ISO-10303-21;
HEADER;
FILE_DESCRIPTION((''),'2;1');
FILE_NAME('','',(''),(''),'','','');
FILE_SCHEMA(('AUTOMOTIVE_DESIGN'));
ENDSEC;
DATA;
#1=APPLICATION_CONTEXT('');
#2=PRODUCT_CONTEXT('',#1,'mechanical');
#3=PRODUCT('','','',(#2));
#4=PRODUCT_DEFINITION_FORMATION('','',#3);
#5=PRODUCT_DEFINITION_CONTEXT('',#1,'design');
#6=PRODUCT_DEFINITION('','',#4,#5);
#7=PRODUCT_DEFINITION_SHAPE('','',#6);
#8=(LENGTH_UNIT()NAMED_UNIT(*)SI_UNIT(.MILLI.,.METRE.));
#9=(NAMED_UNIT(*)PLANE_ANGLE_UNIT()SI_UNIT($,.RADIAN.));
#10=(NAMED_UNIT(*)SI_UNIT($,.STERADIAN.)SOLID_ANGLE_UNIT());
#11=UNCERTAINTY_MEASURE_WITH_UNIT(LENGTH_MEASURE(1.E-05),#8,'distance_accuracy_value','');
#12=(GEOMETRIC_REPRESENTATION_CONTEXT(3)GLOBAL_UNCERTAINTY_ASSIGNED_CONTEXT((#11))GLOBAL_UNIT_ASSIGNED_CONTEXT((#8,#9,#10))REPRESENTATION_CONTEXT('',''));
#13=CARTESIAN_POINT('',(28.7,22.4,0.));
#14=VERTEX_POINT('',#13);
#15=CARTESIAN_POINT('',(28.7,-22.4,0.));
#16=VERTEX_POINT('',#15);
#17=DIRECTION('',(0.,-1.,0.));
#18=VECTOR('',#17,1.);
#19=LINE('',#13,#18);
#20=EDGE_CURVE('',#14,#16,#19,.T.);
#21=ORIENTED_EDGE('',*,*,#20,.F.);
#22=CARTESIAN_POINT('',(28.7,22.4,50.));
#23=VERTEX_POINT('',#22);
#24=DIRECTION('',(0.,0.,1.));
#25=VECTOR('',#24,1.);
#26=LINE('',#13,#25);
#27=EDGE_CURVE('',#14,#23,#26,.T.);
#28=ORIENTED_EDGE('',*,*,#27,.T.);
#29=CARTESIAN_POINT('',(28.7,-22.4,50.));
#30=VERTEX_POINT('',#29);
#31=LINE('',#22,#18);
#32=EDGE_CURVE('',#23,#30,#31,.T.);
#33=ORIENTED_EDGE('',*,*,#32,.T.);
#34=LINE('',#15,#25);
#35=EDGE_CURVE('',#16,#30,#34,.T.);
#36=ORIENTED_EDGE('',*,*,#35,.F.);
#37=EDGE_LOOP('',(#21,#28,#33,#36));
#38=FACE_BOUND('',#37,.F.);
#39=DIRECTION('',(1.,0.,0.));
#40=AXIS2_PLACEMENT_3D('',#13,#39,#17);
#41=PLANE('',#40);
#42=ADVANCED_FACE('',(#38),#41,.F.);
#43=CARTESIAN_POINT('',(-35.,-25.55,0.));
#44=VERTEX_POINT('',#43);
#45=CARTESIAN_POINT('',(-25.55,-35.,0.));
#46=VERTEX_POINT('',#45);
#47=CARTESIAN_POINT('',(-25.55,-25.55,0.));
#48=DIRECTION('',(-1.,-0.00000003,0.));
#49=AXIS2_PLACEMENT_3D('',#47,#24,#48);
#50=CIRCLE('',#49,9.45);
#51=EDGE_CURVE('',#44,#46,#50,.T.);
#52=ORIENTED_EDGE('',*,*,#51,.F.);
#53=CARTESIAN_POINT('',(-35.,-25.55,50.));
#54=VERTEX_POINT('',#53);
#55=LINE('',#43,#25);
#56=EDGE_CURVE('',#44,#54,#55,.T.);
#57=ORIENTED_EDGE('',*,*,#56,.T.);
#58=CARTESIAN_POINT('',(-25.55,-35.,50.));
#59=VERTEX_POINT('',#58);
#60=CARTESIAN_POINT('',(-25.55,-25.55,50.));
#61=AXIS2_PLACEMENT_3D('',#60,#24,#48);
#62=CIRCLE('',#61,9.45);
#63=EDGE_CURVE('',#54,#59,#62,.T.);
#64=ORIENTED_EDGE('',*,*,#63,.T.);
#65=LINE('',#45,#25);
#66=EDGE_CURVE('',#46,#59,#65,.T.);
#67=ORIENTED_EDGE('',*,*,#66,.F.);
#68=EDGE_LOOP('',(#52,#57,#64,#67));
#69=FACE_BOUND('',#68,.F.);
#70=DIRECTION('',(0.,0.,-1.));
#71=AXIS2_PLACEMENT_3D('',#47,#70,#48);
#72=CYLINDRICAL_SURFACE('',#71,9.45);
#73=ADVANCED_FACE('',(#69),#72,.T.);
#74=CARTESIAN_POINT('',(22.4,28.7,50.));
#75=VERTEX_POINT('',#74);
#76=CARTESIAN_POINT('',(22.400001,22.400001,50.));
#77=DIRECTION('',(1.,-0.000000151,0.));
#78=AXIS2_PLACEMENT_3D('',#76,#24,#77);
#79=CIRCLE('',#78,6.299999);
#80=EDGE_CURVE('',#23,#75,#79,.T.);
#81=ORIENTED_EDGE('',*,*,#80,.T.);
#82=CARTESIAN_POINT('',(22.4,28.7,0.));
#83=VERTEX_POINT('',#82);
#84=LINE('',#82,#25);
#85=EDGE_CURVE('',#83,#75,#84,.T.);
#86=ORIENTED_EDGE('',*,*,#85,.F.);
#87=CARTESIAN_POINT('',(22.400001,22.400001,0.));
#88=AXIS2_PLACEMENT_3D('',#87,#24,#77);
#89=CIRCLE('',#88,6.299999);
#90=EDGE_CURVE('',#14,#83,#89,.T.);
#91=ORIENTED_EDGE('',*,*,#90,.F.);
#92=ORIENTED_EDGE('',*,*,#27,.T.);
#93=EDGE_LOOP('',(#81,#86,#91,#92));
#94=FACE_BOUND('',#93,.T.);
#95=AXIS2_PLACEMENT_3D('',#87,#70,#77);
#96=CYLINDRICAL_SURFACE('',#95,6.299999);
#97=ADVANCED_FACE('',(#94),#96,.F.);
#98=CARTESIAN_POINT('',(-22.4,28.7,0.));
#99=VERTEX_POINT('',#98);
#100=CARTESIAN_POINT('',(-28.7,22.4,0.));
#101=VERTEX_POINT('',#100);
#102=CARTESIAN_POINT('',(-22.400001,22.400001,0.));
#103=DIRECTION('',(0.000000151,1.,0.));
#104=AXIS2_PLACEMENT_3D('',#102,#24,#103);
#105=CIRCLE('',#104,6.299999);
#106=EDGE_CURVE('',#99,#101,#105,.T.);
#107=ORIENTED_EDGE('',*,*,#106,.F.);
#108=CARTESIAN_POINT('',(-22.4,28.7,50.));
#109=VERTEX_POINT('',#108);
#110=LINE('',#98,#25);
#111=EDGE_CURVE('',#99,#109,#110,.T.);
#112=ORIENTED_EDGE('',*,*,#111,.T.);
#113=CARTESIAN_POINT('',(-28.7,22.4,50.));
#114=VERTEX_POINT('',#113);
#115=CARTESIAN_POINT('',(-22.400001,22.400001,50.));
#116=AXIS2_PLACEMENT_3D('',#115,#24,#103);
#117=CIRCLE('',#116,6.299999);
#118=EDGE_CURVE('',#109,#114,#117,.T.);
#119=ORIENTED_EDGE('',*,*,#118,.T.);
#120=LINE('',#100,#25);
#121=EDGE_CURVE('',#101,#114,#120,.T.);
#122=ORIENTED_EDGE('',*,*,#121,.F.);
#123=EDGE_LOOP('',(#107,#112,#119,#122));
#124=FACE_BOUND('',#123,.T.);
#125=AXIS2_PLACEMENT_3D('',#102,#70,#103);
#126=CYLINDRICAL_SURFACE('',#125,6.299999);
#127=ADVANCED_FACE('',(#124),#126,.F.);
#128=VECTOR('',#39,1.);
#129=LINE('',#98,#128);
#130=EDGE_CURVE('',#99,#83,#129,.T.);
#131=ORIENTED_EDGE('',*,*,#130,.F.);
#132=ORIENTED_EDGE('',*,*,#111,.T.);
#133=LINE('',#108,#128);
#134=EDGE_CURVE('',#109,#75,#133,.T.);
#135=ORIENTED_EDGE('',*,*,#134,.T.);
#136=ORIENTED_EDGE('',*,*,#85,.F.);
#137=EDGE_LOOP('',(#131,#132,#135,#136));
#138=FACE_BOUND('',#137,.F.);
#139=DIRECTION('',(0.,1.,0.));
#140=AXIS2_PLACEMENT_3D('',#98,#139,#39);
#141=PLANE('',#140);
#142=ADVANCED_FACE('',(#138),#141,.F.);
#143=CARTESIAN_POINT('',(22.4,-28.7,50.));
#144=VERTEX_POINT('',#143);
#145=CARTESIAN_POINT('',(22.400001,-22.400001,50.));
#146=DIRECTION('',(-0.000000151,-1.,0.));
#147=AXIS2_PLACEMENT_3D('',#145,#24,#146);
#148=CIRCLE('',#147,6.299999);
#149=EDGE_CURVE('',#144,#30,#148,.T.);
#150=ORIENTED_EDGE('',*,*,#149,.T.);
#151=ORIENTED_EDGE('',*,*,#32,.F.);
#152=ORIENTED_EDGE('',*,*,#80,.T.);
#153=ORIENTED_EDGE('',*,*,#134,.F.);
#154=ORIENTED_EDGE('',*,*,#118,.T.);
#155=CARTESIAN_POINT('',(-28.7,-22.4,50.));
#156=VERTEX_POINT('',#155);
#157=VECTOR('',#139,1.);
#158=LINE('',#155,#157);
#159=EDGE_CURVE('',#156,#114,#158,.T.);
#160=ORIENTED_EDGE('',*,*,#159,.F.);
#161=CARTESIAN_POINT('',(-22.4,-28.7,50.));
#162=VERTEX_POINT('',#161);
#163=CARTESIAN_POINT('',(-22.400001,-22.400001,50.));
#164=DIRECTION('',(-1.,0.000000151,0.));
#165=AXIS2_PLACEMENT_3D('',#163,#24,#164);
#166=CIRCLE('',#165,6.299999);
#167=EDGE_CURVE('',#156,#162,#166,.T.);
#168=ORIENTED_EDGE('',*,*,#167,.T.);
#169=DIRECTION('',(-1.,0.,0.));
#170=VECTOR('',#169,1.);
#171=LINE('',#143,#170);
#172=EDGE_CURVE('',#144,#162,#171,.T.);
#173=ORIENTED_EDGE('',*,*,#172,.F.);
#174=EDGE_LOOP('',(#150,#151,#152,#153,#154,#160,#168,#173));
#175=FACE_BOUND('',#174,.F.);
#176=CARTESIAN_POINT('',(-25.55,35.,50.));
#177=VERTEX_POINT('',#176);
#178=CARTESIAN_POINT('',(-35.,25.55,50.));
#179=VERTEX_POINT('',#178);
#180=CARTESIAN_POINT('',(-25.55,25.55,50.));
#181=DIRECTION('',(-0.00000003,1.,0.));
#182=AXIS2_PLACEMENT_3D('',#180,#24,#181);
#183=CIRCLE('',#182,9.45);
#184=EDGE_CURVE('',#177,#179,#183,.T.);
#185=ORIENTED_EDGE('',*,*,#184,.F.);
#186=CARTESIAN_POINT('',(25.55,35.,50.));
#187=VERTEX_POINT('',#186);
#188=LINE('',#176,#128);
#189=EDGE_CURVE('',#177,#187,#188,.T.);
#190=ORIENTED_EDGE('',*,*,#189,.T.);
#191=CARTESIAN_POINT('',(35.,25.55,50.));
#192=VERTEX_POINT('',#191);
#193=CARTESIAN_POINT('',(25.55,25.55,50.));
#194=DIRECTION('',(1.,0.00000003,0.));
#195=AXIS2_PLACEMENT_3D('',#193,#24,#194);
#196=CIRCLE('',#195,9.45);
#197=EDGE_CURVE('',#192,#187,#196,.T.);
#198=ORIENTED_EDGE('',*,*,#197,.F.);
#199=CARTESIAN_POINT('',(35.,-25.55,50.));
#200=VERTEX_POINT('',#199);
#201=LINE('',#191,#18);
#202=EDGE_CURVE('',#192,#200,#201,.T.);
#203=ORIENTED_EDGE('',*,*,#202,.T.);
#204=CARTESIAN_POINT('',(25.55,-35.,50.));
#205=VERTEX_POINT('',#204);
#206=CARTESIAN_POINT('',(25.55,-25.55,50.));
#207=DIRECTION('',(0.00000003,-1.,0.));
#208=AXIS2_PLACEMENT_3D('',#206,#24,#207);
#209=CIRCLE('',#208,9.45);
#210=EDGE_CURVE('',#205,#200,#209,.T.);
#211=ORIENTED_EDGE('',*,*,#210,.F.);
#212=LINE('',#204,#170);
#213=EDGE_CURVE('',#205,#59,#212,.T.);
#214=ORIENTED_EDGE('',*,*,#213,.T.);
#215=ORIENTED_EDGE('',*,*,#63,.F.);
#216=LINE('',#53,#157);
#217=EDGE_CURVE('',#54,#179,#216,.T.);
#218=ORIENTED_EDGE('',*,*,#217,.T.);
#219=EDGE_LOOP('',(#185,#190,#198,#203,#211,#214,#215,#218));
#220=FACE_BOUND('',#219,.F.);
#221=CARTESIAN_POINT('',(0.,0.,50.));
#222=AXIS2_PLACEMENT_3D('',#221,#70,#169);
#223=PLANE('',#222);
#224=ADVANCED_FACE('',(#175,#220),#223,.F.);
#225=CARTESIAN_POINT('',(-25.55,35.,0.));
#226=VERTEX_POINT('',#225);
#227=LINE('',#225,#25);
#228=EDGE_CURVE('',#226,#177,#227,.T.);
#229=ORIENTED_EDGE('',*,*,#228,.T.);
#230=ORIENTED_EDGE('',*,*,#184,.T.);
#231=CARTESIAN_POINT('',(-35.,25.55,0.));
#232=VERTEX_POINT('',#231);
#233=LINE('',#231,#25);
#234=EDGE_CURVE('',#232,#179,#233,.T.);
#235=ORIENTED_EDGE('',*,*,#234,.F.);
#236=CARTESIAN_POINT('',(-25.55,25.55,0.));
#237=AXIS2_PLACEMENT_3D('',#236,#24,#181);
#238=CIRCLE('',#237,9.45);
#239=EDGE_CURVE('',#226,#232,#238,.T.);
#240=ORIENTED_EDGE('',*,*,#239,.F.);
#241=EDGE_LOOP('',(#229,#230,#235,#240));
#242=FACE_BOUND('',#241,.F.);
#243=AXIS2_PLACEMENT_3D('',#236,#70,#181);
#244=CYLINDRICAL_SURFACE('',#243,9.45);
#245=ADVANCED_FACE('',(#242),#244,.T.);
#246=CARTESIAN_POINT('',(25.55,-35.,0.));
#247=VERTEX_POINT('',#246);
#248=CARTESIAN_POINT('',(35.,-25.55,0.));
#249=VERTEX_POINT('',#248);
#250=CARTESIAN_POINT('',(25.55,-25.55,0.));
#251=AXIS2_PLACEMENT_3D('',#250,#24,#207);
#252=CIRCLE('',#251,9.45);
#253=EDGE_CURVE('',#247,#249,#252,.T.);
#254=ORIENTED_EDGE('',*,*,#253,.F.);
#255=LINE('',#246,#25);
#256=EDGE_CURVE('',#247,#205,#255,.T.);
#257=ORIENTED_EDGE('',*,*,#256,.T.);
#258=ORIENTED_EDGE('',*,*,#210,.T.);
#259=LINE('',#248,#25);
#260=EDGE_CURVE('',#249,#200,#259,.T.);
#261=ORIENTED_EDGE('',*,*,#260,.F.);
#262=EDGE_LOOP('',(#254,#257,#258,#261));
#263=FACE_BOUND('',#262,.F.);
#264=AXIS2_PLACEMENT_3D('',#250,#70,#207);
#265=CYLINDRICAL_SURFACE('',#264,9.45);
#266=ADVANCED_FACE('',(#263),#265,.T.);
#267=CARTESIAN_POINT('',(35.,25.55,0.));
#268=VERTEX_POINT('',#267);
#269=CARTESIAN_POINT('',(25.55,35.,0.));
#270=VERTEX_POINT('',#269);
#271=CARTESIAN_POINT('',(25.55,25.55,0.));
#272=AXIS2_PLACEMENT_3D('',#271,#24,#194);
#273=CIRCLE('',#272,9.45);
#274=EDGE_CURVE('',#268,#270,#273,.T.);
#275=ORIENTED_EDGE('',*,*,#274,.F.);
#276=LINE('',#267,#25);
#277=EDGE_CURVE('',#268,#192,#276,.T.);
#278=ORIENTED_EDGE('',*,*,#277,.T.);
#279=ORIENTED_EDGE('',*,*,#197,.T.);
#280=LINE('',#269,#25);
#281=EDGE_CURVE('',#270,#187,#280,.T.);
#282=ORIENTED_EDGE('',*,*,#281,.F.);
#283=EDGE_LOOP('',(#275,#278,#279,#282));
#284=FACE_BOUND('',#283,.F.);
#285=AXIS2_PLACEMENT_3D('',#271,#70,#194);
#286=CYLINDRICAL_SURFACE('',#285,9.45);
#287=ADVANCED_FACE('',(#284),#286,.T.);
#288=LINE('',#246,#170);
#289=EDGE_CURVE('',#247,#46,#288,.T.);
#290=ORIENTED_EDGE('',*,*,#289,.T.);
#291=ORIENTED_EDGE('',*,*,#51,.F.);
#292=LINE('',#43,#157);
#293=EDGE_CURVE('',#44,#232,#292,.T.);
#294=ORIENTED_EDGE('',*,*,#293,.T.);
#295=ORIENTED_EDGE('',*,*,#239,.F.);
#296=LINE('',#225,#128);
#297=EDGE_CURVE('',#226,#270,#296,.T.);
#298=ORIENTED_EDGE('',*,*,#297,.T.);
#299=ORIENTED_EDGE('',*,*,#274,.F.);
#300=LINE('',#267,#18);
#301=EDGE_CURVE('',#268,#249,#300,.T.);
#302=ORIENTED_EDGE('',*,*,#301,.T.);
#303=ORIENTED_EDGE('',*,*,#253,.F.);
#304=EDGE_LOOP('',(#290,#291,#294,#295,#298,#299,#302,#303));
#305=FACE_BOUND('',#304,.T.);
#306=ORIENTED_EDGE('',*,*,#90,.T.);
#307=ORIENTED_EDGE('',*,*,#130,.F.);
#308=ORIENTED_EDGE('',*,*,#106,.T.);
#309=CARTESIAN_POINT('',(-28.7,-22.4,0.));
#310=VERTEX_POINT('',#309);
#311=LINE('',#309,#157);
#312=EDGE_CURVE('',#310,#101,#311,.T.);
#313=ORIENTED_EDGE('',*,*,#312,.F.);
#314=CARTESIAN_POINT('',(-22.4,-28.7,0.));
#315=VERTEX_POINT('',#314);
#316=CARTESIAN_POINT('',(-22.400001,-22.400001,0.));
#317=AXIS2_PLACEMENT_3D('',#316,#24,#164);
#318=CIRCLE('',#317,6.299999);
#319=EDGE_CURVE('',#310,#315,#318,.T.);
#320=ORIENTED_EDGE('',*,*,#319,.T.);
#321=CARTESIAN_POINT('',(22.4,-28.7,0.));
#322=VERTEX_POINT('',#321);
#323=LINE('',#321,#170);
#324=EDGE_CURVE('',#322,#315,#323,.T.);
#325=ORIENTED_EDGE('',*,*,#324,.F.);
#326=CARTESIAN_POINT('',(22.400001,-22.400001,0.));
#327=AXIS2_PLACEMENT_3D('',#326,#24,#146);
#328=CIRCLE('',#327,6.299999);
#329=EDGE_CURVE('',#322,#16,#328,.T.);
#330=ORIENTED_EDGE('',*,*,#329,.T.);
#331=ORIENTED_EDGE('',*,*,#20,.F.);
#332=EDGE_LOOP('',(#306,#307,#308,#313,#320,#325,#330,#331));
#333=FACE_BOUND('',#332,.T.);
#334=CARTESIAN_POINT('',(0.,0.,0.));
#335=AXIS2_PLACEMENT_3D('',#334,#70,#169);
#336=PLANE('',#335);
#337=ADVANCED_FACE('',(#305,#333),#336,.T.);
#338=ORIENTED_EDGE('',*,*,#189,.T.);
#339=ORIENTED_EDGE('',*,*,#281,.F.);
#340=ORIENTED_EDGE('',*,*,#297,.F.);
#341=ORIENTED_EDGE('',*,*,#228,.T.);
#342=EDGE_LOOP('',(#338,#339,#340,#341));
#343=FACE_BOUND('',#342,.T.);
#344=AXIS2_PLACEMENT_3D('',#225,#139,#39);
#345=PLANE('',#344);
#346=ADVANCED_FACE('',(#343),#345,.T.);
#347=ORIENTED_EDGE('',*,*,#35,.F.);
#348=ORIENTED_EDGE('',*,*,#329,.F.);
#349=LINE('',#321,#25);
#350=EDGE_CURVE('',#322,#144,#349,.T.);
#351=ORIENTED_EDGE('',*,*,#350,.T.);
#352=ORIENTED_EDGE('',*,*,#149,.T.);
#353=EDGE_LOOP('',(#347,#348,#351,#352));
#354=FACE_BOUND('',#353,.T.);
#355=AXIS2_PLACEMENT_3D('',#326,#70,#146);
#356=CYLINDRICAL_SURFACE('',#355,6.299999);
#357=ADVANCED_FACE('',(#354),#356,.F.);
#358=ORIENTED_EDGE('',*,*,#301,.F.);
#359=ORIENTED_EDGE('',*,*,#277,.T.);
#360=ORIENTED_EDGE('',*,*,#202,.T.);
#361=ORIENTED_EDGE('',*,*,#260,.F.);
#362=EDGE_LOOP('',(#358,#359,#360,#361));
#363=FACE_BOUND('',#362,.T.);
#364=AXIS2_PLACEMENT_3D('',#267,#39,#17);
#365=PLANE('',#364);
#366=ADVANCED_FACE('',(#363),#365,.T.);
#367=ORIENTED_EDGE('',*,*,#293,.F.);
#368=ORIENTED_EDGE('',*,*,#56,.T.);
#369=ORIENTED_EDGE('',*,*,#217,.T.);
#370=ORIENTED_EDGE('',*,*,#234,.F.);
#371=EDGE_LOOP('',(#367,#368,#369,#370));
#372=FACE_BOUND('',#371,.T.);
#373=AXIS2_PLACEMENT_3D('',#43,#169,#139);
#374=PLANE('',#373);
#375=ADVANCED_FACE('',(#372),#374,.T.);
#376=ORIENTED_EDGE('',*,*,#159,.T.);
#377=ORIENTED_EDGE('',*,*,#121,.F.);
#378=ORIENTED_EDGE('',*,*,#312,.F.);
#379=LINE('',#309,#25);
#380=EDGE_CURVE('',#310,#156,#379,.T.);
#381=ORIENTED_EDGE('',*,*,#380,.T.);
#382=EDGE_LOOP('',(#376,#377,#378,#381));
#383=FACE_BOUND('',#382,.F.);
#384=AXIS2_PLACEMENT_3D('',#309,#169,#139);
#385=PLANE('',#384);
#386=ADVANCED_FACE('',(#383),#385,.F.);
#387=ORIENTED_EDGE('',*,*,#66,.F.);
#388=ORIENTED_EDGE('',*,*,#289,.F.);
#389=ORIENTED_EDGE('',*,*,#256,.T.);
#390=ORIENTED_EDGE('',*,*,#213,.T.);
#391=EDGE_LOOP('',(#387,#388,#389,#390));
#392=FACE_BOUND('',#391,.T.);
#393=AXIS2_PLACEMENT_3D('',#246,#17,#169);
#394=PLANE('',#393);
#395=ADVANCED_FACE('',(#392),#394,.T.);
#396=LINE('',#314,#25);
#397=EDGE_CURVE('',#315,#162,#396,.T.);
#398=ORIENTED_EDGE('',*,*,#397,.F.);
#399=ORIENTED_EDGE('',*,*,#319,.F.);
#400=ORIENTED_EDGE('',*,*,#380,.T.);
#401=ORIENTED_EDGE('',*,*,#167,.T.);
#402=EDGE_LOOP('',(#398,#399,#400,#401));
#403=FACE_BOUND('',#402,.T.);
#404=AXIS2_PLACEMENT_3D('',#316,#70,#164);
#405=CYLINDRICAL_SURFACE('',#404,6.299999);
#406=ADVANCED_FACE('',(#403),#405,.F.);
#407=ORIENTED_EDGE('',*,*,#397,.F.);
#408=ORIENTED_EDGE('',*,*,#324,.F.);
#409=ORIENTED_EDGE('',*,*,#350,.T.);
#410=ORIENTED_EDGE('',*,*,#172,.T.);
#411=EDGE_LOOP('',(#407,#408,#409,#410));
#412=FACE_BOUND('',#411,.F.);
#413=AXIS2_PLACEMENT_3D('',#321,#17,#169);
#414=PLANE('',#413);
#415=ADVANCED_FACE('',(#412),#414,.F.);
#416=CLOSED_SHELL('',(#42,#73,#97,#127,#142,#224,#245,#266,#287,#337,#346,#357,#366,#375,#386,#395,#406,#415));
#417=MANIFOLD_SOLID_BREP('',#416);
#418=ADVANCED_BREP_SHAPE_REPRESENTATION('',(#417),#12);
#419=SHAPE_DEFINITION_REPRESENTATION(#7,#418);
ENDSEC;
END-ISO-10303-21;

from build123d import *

# Parameters (mm, degrees)
EXTRUDE_DEPTH = 50


with BuildPart() as part:
    # Sketch → Extrude (new body)
    with BuildSketch(Plane.XY):
        with BuildLine():
            Line((-25.55, 35), (25.55, 35))
            ThreePointArc((35, 25.55), (32.232159, 32.232159), (25.55, 35))
            Line((35, 25.55), (35, -25.55))
            ThreePointArc((25.55, -35), (32.232159, -32.232159), (35, -25.55))
            Line((25.55, -35), (-25.55, -35))
            ThreePointArc((-35, -25.55), (-32.232159, -32.232159), (-25.55, -35))
            Line((-35, -25.55), (-35, 25.55))
            ThreePointArc((-25.55, 35), (-32.232159, 32.232159), (-35, 25.55))
        make_face()
        with BuildLine():
            Line((-22.4, 28.7), (22.4, 28.7))
            ThreePointArc((28.7, 22.4), (26.854773, 26.854773), (22.4, 28.7))
            Line((28.7, 22.4), (28.7, -22.4))
            ThreePointArc((22.4, -28.7), (26.854773, -26.854773), (28.7, -22.4))
            Line((22.4, -28.7), (-22.4, -28.7))
            ThreePointArc((-28.7, -22.4), (-26.854773, -26.854773), (-22.4, -28.7))
            Line((-28.7, -22.4), (-28.7, 22.4))
            ThreePointArc((-22.4, 28.7), (-26.854773, 26.854773), (-28.7, 22.4))
        make_face(mode=Mode.SUBTRACT)
    extrude(amount=EXTRUDE_DEPTH)


solid = part.part
